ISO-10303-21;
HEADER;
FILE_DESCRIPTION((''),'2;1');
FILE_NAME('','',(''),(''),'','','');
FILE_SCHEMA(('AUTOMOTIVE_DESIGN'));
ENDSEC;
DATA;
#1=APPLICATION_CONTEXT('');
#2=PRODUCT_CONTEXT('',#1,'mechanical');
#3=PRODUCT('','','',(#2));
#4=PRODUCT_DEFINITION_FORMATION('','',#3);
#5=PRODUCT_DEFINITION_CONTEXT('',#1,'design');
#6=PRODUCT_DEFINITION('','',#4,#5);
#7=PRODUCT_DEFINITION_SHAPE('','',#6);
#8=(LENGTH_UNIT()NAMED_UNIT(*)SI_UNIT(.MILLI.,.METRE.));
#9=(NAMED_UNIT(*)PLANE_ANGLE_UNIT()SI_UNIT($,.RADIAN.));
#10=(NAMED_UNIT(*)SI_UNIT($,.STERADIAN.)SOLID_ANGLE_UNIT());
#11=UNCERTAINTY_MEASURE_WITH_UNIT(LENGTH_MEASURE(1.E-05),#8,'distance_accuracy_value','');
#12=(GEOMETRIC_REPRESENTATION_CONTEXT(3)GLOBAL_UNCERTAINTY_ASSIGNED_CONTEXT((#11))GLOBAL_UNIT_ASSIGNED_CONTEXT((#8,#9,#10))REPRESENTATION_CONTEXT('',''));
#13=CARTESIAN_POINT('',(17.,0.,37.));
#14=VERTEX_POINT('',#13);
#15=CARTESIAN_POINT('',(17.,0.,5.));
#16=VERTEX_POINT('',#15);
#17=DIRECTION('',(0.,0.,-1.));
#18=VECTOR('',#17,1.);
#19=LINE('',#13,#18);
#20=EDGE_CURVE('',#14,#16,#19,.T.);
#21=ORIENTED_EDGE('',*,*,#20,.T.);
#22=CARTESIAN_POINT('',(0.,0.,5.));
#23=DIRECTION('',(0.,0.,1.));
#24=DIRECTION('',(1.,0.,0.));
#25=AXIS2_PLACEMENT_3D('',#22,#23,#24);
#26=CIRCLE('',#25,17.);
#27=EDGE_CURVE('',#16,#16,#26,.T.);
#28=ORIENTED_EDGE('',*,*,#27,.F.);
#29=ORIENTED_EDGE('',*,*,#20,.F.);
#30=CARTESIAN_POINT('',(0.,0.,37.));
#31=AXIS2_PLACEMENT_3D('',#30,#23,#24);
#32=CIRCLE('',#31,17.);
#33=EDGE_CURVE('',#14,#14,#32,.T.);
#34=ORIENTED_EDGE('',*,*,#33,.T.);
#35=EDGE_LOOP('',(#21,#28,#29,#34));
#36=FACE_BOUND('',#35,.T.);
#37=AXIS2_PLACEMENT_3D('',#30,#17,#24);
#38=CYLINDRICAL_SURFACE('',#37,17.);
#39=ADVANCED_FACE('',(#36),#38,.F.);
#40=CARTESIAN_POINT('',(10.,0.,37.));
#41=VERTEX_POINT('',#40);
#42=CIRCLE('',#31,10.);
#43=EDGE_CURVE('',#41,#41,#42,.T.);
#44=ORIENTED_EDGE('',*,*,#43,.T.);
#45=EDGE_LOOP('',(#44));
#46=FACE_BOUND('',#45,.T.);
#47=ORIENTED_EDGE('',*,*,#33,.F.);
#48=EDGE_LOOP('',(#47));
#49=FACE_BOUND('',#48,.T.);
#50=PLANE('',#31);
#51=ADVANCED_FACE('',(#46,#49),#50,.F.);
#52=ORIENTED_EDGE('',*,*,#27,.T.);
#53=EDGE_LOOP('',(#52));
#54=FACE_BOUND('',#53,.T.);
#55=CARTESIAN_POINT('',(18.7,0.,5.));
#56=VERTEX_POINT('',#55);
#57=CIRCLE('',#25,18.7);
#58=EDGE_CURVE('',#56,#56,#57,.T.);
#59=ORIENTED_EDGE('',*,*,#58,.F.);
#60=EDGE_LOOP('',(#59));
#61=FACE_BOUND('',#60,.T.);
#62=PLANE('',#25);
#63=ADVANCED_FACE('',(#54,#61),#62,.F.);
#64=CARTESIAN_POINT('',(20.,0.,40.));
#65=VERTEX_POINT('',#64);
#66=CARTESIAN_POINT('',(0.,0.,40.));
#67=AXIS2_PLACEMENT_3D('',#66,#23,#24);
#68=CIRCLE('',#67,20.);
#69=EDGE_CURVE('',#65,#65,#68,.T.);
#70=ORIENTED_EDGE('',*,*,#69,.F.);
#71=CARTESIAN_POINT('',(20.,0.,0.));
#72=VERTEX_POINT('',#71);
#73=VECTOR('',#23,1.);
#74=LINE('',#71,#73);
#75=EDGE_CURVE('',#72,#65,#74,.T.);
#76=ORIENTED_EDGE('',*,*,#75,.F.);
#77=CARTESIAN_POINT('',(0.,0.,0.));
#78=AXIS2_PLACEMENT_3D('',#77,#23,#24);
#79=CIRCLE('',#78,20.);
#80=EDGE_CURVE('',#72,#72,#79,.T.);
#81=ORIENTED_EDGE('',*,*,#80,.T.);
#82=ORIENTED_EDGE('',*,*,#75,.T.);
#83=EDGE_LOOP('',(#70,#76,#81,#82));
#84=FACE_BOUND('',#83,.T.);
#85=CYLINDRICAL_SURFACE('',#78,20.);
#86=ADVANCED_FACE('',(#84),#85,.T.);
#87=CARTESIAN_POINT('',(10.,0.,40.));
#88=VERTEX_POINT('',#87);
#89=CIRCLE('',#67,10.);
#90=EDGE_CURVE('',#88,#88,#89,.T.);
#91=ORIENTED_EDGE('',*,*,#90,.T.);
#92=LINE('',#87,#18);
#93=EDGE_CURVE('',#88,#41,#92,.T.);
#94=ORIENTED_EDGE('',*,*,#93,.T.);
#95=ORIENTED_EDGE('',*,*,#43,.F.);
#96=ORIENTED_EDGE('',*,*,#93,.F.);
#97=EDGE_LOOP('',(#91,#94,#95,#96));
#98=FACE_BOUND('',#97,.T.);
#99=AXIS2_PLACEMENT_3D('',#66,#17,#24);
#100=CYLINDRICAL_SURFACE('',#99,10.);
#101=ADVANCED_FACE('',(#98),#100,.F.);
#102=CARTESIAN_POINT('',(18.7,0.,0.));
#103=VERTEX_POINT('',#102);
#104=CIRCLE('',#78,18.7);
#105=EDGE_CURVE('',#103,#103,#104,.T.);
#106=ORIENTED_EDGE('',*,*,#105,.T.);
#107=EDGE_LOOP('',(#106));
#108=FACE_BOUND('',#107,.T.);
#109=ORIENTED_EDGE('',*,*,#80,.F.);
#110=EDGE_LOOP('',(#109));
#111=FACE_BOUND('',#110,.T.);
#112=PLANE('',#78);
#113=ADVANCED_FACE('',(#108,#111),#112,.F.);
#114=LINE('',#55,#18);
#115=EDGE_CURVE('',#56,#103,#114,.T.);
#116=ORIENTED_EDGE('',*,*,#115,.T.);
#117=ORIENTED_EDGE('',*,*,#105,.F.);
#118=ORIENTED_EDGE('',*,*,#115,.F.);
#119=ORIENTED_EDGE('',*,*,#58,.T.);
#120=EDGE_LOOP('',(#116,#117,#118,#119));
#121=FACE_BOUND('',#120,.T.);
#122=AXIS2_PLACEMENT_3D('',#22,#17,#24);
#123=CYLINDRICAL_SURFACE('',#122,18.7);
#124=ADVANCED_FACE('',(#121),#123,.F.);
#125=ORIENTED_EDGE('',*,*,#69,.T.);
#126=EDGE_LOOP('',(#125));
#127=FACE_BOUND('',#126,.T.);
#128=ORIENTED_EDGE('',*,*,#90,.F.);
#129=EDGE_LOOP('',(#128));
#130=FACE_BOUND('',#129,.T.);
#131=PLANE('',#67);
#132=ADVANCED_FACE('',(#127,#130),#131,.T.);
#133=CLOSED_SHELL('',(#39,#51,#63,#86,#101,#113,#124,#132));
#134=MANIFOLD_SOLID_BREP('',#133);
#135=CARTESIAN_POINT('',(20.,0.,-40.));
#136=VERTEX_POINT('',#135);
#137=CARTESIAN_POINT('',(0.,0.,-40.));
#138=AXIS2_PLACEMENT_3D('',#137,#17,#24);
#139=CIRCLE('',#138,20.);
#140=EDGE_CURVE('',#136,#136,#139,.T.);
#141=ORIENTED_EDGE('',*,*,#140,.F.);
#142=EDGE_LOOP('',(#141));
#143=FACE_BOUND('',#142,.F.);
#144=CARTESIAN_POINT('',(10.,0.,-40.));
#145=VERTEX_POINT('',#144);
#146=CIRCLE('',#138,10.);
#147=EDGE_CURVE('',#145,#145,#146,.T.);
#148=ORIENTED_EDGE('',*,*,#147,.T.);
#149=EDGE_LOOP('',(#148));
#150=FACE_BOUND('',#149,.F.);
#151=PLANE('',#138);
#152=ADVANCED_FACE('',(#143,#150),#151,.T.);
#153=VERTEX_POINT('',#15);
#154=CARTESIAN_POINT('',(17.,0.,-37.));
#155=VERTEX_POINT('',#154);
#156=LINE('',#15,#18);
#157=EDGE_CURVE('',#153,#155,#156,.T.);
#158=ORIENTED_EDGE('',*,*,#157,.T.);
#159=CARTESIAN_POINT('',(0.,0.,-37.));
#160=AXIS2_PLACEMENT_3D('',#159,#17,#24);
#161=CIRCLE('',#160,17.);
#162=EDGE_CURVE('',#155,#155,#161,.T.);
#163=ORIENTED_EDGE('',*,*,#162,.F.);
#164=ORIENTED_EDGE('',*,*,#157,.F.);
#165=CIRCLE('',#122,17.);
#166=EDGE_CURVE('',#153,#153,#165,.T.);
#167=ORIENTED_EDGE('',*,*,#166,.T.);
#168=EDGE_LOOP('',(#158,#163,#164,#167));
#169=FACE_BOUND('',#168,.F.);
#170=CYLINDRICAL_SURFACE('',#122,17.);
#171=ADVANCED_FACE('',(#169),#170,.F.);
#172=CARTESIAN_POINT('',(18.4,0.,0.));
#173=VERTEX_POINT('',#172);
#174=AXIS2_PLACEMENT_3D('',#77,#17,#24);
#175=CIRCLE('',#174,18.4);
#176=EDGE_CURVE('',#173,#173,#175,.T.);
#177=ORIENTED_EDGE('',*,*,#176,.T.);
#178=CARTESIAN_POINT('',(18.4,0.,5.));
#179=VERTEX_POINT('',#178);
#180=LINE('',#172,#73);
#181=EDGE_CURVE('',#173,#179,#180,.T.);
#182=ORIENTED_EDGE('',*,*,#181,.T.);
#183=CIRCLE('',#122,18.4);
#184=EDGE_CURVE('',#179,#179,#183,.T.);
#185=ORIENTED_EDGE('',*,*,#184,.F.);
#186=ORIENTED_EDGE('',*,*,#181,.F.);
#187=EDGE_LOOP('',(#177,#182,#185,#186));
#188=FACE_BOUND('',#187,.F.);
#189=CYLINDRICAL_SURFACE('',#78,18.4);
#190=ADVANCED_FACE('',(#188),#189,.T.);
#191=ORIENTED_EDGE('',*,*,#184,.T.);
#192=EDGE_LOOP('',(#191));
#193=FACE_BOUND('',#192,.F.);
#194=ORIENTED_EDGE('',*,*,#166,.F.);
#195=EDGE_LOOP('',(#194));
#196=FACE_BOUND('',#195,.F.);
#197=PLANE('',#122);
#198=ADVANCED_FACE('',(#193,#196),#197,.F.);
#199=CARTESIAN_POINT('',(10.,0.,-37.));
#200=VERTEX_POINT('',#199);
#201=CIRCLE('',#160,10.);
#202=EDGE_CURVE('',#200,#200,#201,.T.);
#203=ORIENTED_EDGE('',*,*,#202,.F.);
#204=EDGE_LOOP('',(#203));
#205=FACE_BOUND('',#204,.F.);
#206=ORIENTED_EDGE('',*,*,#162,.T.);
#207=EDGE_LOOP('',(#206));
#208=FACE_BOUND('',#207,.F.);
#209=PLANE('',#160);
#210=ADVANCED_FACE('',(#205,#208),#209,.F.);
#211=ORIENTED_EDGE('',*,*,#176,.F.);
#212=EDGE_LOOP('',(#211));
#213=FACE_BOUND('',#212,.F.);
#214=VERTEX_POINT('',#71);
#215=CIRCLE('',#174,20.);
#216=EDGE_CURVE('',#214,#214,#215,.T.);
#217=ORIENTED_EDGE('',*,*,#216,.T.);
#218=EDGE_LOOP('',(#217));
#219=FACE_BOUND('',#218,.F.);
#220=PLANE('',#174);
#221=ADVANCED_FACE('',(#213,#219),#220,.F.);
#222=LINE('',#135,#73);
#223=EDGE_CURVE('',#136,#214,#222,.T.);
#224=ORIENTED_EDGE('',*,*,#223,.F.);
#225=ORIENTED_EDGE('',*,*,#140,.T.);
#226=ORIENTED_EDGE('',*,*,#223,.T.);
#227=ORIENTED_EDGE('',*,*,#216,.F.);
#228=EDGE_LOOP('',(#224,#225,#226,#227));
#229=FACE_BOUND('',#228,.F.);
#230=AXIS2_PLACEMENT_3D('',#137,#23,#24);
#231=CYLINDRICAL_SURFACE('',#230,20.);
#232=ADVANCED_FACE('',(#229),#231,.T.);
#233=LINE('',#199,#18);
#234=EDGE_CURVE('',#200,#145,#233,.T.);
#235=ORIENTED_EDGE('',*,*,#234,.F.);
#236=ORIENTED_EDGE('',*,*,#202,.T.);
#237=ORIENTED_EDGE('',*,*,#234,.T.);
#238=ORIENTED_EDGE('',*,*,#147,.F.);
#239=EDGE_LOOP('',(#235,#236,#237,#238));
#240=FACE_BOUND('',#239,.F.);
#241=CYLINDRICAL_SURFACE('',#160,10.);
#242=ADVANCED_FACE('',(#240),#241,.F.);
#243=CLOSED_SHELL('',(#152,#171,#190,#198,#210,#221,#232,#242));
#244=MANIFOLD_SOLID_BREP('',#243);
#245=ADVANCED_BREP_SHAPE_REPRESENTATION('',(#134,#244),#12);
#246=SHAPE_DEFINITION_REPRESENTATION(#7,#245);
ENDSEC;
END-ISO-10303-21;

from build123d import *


with BuildPart() as f1:
    # F0 (on Front) → F1 (revolve)
    with BuildSketch(Plane.XZ):
        Polygon((20, 40), (10, 40), (10, 37), (17, 37), (17, 5), (18.7, 5), (18.7, 0), (20, 0), align=None)
    revolve(axis=Axis((0, 0, 20), (0, 0, 1)))


with BuildPart() as f3:
    # F2 (on Front) → F3 (revolve)
    with BuildSketch(Plane.XZ):
        Polygon((20, -40), (20, 0), (18.4, 0), (18.4, 5), (17, 5), (17, 0), (17, -37), (10, -37), (10, -40), align=None)
    revolve(axis=Axis((0, 0, -9.94769), (0, 0, -1)))


solid = Compound([f1.part, f3.part])
